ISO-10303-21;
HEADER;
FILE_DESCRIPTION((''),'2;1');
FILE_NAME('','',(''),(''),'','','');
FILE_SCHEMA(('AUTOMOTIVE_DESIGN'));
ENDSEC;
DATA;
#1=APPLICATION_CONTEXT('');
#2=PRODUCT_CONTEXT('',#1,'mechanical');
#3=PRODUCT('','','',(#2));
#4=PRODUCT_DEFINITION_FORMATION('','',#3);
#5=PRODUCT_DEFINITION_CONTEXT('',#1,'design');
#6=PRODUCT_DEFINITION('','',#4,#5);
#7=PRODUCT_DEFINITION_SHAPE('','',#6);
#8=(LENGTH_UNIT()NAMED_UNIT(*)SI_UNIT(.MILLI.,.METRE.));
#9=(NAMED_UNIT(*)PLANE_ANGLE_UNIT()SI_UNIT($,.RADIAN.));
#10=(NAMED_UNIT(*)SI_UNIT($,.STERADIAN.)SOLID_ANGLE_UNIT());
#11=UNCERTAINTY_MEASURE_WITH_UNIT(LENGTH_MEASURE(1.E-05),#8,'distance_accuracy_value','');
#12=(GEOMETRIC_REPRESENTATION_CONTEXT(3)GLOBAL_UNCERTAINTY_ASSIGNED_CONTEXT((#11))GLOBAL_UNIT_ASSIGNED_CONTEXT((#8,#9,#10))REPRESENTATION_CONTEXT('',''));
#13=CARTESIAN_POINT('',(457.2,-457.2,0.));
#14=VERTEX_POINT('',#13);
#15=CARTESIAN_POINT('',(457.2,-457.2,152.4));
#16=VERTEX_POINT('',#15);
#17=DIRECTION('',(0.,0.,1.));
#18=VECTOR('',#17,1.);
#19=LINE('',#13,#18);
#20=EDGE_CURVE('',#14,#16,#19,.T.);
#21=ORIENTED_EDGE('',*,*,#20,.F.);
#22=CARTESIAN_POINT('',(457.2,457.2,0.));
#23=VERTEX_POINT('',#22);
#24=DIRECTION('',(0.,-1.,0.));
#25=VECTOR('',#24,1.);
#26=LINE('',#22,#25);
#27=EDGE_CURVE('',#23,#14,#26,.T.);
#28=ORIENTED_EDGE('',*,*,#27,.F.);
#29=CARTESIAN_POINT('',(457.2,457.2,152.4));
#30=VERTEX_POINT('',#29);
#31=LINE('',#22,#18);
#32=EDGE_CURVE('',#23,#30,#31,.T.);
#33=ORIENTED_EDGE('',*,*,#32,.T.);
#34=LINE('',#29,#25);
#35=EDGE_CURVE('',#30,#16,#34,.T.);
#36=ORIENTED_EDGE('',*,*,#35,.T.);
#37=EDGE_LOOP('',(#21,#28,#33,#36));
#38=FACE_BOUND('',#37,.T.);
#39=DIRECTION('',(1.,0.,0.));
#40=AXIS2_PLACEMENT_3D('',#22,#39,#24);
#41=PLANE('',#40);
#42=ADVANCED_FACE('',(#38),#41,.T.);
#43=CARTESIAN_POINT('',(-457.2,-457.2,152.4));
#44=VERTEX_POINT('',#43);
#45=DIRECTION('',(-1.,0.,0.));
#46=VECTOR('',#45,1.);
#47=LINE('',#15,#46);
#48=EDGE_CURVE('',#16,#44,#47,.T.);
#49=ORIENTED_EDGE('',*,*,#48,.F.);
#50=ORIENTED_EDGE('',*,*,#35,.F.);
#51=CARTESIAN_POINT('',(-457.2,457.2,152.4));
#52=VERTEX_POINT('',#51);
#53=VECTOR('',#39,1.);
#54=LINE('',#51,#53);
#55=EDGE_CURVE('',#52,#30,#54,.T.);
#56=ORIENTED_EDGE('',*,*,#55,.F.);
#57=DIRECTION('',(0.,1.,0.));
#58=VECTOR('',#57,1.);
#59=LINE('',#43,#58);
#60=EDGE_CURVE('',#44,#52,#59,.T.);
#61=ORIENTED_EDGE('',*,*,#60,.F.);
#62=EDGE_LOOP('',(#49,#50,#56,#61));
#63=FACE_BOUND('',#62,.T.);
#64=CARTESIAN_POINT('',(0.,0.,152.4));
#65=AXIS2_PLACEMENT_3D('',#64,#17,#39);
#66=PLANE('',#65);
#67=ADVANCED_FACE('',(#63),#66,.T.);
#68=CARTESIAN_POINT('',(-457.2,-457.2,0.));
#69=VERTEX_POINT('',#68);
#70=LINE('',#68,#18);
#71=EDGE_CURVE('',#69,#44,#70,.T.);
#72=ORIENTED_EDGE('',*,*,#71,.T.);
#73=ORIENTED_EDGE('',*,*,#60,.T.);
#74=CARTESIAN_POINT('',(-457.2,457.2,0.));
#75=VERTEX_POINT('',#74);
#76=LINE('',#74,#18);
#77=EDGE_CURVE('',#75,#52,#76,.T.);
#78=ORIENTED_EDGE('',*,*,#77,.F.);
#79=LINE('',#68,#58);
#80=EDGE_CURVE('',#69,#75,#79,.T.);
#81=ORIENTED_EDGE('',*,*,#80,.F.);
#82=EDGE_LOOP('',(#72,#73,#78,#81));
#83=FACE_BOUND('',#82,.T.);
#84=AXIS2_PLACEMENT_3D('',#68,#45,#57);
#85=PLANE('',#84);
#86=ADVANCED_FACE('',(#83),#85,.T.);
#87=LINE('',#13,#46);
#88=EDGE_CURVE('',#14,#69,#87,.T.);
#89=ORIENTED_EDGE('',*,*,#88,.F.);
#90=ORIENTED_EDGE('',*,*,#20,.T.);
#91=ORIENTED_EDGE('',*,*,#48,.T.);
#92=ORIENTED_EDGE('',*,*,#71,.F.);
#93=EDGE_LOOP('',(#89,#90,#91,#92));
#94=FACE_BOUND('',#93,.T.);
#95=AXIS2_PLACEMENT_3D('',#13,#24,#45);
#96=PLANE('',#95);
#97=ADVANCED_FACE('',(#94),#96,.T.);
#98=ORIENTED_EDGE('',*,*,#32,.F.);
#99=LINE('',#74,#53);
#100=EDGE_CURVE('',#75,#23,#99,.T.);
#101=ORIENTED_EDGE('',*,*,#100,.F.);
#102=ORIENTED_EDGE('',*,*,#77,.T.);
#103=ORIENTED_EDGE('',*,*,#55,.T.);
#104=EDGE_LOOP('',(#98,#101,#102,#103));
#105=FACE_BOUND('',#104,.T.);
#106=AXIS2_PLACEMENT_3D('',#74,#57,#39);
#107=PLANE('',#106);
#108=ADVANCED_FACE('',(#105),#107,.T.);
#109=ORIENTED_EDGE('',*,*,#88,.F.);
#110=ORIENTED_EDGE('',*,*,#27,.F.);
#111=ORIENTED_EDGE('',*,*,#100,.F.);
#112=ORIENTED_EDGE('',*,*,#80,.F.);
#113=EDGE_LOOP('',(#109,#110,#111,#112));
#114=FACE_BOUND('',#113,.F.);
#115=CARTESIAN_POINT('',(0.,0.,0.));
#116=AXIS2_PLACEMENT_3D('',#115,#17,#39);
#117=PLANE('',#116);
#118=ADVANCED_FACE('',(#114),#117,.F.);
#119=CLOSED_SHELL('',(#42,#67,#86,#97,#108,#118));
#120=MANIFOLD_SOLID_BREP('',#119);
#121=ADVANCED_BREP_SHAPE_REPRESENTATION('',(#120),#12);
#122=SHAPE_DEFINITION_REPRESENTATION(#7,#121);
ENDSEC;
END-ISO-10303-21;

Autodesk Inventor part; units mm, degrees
ref_plane "YZ Plane" through (0, 0, 0) normal (1, 0, 0) x (0, 1, 0)
ref_plane "XZ Plane" through (0, 0, 0) normal (0, 1, 0) x (-1, 0, 0)
ref_plane "XY Plane" through (0, 0, 0) normal (0, 0, 1) x (1, 0, 0)
sketch "Sketch1" plane through (0, 0, 0) normal (0, 0, 1) x (1, 0, 0)
  line L0 (-457.2, 457.2) -> (457.2, 457.2)
  line L1 (457.2, 457.2) -> (457.2, -457.2)
  line L2 (457.2, -457.2) -> (-457.2, -457.2)
  line L3 (-457.2, -457.2) -> (-457.2, 457.2)
  line L4 (-457.2, 457.2) -> (457.2, -457.2) construction
  line L5 (457.2, 457.2) -> (-457.2, -457.2) construction
  point P0 (0, 0)
  dimension "d0" = 914.4
  dimension "d1" = 914.4
extrude "Extrusion1" add sketch "Sketch1" along normal blind 152.4
properties part number "2-1x-36x36x6 sn step" material "Granite, Cut, Polished"
